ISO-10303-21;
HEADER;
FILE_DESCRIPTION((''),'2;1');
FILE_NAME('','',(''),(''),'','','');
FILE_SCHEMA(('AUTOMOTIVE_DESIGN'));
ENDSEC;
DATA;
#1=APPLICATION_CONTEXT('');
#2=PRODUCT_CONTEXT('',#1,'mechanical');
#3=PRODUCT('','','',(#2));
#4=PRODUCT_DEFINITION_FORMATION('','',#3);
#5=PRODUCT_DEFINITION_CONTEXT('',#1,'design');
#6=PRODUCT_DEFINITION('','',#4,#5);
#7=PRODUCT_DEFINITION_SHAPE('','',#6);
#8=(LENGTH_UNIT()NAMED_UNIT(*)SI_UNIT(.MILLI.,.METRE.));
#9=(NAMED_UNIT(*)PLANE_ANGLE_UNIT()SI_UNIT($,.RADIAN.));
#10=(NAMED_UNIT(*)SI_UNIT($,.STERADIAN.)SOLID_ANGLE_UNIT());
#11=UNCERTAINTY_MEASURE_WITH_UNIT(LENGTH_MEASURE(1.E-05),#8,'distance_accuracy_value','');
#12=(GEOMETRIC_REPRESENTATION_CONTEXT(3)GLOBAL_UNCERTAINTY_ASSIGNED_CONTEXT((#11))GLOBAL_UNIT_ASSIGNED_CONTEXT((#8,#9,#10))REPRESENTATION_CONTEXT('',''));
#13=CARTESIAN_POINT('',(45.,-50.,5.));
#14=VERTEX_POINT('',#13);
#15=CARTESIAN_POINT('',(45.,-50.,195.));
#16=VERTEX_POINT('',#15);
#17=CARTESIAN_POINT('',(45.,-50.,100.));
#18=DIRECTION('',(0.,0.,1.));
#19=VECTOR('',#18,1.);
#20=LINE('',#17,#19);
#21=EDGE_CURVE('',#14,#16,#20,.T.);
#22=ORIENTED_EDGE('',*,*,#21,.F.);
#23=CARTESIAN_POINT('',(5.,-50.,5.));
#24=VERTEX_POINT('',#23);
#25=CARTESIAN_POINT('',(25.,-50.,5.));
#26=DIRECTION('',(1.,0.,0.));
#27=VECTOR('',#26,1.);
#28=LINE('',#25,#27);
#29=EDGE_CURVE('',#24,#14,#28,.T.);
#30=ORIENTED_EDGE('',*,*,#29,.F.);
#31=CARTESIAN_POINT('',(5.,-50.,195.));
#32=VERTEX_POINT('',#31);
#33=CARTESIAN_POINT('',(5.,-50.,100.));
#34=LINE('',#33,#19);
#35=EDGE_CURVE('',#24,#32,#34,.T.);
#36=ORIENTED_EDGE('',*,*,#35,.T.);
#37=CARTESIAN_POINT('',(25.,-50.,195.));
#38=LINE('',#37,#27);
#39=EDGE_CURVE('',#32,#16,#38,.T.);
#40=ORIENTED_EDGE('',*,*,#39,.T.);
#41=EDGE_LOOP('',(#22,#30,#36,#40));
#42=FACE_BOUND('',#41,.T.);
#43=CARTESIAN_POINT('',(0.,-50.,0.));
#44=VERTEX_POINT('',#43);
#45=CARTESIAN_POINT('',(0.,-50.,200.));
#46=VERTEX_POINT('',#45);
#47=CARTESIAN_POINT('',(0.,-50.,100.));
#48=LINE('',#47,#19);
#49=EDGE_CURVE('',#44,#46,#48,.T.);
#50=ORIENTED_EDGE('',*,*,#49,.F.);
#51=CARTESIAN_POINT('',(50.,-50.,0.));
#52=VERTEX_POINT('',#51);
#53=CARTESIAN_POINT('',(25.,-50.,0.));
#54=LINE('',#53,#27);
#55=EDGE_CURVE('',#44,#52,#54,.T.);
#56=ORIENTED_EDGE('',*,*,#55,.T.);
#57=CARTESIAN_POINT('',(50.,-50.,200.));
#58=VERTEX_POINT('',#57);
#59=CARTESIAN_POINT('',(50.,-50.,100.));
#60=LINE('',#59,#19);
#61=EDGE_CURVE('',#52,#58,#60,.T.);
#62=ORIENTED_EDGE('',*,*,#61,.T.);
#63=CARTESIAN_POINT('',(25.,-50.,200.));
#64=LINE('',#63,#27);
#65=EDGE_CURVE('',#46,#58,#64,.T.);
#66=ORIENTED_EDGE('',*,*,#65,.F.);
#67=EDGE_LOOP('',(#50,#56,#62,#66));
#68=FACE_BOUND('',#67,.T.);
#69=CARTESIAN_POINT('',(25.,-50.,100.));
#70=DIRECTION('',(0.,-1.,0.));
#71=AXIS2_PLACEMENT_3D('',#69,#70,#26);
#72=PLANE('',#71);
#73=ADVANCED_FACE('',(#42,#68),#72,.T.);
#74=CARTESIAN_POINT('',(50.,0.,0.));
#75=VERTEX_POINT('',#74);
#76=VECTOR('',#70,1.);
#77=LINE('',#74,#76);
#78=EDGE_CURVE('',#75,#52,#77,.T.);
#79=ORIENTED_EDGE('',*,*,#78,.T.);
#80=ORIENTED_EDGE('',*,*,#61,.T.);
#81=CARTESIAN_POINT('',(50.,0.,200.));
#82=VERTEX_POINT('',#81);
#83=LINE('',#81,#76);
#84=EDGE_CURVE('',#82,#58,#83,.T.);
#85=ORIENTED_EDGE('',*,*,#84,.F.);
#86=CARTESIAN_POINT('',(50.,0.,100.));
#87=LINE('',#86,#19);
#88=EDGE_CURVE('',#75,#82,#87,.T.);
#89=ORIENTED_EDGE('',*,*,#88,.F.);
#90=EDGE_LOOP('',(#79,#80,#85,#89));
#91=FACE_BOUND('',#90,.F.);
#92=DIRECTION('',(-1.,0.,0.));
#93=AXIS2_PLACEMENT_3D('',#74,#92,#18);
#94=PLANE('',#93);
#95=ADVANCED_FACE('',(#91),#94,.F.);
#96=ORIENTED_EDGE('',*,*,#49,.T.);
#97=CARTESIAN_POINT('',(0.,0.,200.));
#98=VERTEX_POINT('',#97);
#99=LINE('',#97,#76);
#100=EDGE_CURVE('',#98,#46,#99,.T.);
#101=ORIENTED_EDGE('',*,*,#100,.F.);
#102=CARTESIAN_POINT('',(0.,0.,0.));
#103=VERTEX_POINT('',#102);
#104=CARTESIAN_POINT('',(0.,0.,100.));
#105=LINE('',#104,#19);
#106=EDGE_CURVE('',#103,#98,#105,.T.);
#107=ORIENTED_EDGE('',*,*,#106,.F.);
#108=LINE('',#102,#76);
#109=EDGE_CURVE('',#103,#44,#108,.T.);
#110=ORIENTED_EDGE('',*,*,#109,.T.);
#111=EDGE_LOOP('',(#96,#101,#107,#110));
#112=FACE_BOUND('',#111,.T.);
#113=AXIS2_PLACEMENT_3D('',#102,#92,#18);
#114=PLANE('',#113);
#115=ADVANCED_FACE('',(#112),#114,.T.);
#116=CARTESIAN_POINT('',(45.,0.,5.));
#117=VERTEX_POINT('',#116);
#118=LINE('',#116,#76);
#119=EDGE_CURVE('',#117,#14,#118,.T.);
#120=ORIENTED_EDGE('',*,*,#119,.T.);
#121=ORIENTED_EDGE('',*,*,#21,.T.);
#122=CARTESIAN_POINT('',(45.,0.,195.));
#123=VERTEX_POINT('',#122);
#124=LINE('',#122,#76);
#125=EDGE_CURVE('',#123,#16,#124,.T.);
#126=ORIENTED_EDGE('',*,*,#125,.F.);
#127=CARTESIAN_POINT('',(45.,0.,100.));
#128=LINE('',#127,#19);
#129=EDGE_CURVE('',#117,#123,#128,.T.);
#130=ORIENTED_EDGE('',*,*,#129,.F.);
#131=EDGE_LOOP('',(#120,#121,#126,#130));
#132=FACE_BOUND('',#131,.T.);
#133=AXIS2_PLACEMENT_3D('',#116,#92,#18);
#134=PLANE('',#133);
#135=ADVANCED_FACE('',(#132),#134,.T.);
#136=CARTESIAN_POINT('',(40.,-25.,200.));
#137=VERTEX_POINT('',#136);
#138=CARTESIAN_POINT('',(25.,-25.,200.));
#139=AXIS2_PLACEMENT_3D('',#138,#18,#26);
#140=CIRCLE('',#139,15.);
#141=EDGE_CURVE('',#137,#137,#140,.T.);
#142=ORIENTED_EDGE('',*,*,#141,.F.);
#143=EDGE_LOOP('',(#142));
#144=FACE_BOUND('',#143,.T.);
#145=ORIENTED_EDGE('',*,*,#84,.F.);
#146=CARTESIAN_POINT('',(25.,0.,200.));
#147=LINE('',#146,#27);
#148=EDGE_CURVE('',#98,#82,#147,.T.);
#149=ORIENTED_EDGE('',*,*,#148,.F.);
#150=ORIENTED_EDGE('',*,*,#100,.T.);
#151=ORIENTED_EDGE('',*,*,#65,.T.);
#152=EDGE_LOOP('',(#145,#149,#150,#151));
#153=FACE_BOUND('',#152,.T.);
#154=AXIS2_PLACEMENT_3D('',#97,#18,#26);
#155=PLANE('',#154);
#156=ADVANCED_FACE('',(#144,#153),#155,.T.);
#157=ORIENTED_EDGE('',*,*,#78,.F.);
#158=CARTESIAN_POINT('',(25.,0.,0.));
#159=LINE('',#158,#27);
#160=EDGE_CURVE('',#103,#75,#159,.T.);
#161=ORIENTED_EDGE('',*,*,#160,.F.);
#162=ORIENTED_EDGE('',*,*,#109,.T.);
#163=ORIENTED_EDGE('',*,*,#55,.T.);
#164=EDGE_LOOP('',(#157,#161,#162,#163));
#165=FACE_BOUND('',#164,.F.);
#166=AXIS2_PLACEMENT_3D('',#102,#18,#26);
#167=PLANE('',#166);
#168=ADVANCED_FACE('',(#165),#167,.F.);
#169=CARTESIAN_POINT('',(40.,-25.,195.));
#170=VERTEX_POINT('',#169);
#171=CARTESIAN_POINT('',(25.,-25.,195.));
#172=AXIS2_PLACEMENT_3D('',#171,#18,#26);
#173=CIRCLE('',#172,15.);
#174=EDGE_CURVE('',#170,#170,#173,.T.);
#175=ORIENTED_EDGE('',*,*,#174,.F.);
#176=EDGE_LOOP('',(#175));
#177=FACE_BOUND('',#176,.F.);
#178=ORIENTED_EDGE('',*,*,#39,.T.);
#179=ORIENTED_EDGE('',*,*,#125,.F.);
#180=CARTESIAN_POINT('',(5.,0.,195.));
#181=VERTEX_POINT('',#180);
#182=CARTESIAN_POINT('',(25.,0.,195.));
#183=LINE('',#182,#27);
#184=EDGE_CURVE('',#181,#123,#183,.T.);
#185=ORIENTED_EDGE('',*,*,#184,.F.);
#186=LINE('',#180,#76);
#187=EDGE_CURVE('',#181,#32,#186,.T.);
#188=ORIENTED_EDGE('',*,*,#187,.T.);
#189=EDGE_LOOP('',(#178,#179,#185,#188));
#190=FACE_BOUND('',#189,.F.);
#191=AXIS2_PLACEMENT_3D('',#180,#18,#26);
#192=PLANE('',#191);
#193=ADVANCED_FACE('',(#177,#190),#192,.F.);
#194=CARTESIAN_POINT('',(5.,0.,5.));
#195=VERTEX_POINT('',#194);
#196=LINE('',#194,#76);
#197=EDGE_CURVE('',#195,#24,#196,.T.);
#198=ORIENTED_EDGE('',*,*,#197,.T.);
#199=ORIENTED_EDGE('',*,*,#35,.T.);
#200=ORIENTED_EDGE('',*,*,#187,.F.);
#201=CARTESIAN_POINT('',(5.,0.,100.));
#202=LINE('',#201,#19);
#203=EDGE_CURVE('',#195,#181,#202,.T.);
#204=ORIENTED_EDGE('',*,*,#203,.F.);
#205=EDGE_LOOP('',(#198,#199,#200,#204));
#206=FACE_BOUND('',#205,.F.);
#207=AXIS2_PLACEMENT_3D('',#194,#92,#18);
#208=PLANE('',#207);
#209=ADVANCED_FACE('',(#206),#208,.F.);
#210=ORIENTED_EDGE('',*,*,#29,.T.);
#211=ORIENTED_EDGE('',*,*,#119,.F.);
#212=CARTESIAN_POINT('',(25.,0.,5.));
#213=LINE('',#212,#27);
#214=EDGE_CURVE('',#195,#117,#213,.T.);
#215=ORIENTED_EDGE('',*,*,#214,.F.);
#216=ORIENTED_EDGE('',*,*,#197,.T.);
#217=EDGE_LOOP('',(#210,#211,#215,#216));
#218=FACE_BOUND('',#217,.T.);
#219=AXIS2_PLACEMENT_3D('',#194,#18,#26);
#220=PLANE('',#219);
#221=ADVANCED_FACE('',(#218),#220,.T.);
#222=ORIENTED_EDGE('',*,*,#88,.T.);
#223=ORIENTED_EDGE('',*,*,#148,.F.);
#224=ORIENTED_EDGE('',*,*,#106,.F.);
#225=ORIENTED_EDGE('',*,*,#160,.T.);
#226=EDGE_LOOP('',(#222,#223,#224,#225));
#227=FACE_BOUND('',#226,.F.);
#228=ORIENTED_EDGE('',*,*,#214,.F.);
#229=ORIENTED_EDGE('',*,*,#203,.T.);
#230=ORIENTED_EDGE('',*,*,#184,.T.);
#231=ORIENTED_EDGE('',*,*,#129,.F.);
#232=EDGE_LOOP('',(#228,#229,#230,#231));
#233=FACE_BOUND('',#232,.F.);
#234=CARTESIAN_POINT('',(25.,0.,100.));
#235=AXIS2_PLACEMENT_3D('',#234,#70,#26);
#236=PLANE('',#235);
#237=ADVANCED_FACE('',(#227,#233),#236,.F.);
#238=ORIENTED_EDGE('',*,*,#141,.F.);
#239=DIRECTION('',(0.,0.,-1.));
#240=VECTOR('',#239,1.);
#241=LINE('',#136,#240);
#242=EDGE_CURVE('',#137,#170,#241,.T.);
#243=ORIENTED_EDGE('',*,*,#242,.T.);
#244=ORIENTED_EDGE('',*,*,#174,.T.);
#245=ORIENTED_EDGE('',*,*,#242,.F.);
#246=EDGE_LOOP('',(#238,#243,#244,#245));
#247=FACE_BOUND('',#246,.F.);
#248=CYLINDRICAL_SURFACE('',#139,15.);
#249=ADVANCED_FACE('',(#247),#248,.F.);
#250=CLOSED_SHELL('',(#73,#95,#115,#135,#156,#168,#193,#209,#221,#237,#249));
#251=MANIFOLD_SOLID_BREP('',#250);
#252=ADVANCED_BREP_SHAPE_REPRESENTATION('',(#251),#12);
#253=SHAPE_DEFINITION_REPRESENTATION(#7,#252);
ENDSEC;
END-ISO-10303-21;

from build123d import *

# Parameters (mm, degrees)
F0_W     = 50
F0_H     = 200
F0_W_2   = 40
F0_H_2   = 190
F1_DEPTH = 50
F2_R     = 15
F3_DEPTH = 5


with BuildPart() as f1:
    # F0 (on Front) → F1 (new body)
    with BuildSketch(Plane.XZ):
        with Locations((25, 100)):
            Rectangle(F0_W, F0_H)
        with Locations((25, 100)):
            Rectangle(F0_W_2, F0_H_2, mode=Mode.SUBTRACT)
    extrude(amount=F1_DEPTH)

    # F2 (on face) → F3 (cut, through all)
    with BuildSketch(Plane.XY.offset(200)):
        with Locations((25, -25)):
            Circle(F2_R)
    extrude(amount=-F3_DEPTH, mode=Mode.SUBTRACT)


solid = f1.part
